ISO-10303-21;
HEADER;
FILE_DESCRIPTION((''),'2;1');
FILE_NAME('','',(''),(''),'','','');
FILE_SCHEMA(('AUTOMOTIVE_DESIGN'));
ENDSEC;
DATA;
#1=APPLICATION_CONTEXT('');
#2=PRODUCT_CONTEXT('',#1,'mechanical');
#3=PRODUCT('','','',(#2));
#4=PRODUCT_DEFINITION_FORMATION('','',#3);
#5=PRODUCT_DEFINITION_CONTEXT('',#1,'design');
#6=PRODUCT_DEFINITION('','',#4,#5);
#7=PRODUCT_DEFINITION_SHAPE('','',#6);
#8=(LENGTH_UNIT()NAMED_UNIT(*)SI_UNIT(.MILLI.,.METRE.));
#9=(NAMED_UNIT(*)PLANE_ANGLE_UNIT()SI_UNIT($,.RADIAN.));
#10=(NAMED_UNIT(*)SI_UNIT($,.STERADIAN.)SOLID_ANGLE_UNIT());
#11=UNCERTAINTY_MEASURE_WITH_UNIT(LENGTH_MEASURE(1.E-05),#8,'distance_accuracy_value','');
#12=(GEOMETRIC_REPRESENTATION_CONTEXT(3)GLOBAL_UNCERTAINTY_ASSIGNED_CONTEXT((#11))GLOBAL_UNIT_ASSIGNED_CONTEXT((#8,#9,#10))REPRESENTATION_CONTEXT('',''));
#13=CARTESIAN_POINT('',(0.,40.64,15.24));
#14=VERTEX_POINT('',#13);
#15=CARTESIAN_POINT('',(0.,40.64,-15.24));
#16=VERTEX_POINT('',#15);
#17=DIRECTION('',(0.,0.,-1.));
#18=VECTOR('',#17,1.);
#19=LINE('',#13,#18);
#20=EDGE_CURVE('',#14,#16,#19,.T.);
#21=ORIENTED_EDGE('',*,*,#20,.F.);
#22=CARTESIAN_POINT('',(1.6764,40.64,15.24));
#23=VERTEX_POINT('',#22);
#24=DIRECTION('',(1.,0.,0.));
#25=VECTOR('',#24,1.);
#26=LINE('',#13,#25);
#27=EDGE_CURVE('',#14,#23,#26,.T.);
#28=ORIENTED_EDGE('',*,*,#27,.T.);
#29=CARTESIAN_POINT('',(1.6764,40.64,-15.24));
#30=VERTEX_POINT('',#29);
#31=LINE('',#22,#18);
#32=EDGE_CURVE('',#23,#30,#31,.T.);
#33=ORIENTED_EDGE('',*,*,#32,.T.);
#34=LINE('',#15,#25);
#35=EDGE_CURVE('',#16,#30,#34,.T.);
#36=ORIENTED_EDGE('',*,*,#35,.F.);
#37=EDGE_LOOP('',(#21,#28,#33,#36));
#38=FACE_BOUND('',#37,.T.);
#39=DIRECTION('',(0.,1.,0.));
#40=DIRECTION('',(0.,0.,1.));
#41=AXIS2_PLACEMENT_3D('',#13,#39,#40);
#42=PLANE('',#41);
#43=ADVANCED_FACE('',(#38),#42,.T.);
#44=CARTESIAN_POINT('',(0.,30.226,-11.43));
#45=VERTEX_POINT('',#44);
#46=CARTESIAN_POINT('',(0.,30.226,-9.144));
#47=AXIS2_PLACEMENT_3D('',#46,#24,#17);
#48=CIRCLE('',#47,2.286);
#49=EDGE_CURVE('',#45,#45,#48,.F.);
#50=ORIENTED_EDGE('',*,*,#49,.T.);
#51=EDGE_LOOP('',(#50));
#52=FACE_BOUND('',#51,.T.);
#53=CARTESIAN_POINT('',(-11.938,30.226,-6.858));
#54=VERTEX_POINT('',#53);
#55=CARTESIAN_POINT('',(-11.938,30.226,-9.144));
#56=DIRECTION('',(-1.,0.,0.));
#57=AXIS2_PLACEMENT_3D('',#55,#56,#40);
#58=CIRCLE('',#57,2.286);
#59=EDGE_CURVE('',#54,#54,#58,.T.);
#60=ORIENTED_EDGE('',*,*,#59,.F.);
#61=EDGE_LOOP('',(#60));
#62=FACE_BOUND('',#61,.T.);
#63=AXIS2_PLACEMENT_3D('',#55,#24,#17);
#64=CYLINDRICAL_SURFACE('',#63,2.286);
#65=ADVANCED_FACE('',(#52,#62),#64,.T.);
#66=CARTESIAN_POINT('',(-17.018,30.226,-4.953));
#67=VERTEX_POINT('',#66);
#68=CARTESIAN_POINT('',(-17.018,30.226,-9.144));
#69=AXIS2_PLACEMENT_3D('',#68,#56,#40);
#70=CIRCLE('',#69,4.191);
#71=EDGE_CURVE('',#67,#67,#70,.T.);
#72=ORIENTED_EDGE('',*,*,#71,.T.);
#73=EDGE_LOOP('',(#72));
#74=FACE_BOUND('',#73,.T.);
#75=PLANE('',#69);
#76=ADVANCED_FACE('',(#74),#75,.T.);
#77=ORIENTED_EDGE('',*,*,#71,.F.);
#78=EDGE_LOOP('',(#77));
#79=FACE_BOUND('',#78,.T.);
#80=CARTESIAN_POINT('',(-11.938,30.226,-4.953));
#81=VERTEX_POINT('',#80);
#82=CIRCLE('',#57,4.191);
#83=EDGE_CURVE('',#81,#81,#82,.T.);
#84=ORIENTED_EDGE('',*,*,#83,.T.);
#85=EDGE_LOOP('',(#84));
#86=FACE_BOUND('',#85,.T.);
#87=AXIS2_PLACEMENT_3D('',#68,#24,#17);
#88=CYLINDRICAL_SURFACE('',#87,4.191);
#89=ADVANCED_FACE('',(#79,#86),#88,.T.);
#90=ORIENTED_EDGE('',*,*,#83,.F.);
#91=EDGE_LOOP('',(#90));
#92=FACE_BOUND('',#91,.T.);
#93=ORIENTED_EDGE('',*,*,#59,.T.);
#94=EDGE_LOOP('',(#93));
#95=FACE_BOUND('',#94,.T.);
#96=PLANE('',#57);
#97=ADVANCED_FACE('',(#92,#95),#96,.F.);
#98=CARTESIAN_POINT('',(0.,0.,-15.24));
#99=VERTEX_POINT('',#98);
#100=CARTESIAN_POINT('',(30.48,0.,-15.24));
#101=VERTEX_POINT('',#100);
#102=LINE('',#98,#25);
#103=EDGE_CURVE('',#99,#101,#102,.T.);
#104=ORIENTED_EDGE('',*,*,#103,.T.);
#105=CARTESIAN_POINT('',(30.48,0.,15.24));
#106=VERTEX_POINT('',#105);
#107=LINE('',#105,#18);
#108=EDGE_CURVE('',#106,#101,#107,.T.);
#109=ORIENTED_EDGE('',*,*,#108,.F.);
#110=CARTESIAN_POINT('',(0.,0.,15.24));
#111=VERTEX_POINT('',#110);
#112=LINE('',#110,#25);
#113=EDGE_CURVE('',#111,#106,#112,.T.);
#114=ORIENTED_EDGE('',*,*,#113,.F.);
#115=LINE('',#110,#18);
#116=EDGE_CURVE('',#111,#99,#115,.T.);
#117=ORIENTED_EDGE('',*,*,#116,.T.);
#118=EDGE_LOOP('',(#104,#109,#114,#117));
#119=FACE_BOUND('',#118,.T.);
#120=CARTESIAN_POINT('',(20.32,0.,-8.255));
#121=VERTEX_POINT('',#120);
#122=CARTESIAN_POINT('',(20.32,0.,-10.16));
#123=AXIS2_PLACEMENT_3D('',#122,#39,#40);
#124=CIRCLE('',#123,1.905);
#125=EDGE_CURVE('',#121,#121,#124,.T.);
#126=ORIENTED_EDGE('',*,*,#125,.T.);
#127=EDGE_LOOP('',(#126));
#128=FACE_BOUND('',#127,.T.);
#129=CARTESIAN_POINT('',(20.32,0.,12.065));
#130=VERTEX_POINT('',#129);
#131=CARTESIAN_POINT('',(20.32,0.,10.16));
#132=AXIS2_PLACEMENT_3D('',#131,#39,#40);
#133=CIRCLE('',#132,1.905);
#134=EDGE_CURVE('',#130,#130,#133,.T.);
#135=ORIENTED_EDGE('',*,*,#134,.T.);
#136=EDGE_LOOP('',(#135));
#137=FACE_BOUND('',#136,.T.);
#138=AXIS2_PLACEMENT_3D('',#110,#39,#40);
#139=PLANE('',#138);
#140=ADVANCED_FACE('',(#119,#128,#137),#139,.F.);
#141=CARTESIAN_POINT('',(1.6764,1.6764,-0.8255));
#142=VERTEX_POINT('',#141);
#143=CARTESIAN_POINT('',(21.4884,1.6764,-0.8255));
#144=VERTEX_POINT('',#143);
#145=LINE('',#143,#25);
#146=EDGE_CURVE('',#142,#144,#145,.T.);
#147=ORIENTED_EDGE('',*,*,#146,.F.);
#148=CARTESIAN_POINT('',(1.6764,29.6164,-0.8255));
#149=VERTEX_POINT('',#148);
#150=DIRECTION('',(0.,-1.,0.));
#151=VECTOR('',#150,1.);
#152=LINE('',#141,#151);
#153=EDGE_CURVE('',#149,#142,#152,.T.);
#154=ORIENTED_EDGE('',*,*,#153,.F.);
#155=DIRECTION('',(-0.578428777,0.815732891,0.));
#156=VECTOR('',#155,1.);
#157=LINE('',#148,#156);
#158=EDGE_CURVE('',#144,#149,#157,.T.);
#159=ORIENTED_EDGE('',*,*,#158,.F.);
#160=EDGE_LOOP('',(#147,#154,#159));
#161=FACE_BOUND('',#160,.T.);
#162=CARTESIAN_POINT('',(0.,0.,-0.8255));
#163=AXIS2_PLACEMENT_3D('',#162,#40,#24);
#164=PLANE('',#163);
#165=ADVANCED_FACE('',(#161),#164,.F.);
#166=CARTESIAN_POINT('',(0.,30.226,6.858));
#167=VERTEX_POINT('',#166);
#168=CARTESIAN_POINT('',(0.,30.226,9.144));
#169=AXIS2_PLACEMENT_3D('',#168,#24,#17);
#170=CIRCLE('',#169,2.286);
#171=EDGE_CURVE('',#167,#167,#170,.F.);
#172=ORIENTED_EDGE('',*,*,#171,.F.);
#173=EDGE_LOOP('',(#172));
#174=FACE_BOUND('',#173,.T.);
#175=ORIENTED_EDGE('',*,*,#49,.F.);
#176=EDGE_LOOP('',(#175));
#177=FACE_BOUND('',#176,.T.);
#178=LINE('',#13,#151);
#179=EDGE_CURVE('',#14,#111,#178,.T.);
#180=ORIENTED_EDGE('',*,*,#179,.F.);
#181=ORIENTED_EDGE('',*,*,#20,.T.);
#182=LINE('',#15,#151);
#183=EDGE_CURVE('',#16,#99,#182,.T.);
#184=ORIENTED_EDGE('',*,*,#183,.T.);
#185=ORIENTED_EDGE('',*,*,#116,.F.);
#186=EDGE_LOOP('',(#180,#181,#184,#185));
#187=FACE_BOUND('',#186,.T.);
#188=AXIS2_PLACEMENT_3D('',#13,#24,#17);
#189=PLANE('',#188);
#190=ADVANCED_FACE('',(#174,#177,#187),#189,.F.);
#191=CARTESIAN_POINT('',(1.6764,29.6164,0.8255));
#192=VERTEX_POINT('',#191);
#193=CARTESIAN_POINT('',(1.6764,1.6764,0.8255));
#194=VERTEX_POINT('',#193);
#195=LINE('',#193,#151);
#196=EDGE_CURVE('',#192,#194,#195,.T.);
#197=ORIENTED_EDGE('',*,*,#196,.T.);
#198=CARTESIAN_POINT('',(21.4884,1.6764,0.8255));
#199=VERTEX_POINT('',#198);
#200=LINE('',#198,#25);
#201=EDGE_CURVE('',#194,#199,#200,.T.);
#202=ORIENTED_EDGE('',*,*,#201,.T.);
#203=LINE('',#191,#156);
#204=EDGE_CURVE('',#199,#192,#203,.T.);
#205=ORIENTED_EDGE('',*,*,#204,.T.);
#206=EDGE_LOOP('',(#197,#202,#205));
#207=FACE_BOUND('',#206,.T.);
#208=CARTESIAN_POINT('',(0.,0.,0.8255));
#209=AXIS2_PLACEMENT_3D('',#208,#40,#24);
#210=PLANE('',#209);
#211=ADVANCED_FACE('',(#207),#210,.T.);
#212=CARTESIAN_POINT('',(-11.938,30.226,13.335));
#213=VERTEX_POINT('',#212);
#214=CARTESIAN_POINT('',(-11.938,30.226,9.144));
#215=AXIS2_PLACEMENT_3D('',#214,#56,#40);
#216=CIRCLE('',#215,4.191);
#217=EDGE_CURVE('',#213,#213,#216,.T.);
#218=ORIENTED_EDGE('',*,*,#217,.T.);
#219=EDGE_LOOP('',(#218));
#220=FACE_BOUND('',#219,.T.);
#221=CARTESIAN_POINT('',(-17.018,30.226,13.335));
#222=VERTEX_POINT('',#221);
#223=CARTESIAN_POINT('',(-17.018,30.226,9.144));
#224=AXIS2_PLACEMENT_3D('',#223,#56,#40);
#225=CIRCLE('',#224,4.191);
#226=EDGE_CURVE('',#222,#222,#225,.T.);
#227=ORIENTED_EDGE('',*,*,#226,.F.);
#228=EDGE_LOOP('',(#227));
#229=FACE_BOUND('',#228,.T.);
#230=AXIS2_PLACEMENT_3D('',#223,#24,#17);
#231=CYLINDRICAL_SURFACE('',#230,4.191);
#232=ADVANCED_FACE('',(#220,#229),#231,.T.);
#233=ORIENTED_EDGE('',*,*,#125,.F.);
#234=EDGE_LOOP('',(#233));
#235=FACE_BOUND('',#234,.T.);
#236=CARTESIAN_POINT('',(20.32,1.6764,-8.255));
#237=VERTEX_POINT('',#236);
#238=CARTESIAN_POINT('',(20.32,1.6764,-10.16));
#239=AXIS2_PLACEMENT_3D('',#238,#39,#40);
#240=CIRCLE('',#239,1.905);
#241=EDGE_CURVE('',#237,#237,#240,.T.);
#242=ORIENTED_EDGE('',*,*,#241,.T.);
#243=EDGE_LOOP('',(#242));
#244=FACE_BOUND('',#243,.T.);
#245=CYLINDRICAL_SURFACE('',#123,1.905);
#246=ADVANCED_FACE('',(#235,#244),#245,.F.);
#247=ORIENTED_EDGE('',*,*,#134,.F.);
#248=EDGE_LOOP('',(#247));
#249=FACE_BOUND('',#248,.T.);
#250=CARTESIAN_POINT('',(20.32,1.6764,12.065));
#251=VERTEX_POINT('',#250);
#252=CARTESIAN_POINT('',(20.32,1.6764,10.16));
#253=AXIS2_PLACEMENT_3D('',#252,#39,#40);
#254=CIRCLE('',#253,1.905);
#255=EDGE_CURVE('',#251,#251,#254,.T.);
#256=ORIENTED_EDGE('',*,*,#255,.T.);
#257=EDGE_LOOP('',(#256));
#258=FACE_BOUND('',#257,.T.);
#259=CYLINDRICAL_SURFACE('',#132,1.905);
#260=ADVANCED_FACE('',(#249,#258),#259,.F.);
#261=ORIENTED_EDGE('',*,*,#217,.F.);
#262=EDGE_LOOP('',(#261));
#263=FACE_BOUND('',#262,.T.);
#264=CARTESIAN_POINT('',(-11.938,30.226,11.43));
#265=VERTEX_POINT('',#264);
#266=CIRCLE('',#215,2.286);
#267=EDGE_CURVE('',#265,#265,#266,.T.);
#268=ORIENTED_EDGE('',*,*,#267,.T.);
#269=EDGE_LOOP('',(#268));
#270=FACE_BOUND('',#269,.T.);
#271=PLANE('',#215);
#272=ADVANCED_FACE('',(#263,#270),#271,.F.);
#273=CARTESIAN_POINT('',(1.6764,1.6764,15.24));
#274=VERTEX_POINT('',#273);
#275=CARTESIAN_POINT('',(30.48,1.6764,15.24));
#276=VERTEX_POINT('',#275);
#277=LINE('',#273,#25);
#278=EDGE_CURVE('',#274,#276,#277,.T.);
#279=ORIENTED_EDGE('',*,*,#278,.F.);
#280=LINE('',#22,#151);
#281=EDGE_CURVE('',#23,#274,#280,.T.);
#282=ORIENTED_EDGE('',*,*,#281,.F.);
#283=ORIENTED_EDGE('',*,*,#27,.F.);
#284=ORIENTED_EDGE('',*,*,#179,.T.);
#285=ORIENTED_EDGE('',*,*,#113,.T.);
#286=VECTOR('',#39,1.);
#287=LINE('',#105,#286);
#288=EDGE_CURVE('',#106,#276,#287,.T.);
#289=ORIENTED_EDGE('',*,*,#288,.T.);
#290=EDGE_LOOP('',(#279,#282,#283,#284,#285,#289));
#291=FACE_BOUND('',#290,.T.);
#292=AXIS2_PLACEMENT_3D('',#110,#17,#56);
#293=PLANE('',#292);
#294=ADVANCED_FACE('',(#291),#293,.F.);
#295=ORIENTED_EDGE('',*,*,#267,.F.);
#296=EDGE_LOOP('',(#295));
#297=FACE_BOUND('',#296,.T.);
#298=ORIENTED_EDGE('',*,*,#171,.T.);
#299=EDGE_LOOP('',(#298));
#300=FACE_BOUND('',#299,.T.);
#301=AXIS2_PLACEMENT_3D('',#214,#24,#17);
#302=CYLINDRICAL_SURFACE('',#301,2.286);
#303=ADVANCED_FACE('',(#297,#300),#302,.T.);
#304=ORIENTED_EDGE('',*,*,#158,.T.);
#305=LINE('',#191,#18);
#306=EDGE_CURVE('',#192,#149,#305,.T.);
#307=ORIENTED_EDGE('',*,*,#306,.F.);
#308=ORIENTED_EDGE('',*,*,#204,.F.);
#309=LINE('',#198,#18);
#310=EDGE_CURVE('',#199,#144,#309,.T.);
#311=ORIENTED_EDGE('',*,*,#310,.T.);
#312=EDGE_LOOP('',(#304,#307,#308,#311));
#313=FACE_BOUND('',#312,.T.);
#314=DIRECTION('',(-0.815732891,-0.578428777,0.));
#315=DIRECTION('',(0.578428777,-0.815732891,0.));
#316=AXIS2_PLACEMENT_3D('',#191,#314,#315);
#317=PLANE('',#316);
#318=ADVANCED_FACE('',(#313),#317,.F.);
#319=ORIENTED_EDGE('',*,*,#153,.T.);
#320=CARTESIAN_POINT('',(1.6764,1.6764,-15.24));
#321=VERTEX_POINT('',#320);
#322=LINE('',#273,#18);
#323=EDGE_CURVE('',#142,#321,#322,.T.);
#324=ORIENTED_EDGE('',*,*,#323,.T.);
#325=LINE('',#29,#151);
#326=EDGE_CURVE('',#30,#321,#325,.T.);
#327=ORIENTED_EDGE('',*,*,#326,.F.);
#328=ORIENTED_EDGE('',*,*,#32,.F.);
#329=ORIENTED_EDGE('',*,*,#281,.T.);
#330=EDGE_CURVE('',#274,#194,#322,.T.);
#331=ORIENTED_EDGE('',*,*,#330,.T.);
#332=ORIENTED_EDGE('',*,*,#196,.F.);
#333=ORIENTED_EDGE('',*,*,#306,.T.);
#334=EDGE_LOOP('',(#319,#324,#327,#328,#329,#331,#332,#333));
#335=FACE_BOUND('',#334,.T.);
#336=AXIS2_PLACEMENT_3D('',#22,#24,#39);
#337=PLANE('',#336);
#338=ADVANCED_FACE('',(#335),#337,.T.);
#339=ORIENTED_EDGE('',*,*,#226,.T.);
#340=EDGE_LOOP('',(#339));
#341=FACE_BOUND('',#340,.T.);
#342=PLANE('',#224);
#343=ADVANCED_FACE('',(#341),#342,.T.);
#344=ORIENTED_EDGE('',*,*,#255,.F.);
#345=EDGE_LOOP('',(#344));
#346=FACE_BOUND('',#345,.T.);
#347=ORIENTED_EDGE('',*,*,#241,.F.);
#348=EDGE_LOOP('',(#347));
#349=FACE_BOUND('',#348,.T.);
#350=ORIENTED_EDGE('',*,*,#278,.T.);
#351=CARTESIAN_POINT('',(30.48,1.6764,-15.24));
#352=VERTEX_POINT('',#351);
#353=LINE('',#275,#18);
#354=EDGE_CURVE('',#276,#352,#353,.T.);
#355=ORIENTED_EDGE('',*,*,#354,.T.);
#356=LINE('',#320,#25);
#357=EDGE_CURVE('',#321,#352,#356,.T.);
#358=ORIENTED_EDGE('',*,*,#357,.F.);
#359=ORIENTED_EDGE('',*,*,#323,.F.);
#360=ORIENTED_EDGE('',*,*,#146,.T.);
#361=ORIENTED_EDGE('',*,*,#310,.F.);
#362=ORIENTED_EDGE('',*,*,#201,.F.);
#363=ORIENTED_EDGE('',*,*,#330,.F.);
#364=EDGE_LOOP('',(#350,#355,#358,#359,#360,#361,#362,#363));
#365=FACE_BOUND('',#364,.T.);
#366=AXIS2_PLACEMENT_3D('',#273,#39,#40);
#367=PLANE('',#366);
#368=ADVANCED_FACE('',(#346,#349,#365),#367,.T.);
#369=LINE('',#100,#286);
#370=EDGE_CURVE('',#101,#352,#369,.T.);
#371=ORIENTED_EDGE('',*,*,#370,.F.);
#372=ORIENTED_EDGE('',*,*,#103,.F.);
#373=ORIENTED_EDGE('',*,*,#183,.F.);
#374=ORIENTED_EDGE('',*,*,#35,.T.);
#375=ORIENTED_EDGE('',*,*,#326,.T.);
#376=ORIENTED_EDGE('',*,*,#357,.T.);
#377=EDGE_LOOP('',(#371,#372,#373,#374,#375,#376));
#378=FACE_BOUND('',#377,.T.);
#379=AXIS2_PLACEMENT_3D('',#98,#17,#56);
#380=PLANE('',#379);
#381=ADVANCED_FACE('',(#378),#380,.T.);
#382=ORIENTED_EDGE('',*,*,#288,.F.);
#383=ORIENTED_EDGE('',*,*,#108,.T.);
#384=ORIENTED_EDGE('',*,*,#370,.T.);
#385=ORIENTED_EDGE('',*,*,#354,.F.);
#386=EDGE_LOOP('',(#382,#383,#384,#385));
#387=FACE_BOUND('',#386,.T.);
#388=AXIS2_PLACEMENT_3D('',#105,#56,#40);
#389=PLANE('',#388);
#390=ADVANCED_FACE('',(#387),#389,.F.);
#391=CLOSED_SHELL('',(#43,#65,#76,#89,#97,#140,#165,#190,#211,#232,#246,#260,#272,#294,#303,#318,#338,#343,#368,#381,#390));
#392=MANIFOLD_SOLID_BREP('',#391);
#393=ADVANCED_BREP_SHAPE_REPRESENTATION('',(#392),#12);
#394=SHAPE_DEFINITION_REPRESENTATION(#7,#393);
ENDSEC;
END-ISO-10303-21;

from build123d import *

# Parameters (mm, degrees)
BOSS_EXTRUDE1_DEPTH = 15.24
BOSS_EXTRUDE2_DEPTH = 0.8255
SKETCH3_R           = 1.905
CUT_EXTRUDE1_DEPTH  = 2.6764
SKETCH5_R           = 2.286
BOSS_EXTRUDE3_DEPTH = 11.938
SKETCH6_R           = 4.191
BOSS_EXTRUDE4_DEPTH = 5.08


with BuildPart() as part:
    # Sketch1 → Boss-Extrude1 (new body, symmetric)
    with BuildSketch(Plane.XY):
        Polygon((0, 0), (30.48, 0), (30.48, 1.6764), (1.6764, 1.6764), (1.6764, 40.64), (0, 40.64), align=None)
    extrude(amount=BOSS_EXTRUDE1_DEPTH, both=True)

    # Sketch2 → Boss-Extrude2 (add, symmetric)
    with BuildSketch(Plane.XY):
        Polygon((1.6764, 29.6164), (21.4884, 1.6764), (1.6764, 1.6764), align=None)
    extrude(amount=BOSS_EXTRUDE2_DEPTH, both=True)

    # Sketch3 → Cut-Extrude1 (cut, through all)
    with BuildSketch(Plane(origin=(0, 1.6764, 0), x_dir=(1, 0, 0), z_dir=(0, 1, 0))):
        with Locations((20.32, 10.16)):
            Circle(SKETCH3_R)
        with Locations((20.32, -10.16)):
            Circle(SKETCH3_R)
    extrude(amount=-CUT_EXTRUDE1_DEPTH, mode=Mode.SUBTRACT)

    # Sketch5 → Boss-Extrude3 (add)
    with BuildSketch(Plane.ZY):
        with Locations((-9.144, 30.226)):
            Circle(SKETCH5_R)
        with Locations((9.144, 30.226)):
            Circle(SKETCH5_R)
    extrude(amount=BOSS_EXTRUDE3_DEPTH)

    # Sketch6 → Boss-Extrude4 (add)
    with BuildSketch(Plane.ZY.offset(11.938)):
        with Locations((-9.144, 30.226)):
            Circle(SKETCH6_R)
        with Locations((9.144, 30.226)):
            Circle(SKETCH6_R)
    extrude(amount=BOSS_EXTRUDE4_DEPTH)


solid = part.part
